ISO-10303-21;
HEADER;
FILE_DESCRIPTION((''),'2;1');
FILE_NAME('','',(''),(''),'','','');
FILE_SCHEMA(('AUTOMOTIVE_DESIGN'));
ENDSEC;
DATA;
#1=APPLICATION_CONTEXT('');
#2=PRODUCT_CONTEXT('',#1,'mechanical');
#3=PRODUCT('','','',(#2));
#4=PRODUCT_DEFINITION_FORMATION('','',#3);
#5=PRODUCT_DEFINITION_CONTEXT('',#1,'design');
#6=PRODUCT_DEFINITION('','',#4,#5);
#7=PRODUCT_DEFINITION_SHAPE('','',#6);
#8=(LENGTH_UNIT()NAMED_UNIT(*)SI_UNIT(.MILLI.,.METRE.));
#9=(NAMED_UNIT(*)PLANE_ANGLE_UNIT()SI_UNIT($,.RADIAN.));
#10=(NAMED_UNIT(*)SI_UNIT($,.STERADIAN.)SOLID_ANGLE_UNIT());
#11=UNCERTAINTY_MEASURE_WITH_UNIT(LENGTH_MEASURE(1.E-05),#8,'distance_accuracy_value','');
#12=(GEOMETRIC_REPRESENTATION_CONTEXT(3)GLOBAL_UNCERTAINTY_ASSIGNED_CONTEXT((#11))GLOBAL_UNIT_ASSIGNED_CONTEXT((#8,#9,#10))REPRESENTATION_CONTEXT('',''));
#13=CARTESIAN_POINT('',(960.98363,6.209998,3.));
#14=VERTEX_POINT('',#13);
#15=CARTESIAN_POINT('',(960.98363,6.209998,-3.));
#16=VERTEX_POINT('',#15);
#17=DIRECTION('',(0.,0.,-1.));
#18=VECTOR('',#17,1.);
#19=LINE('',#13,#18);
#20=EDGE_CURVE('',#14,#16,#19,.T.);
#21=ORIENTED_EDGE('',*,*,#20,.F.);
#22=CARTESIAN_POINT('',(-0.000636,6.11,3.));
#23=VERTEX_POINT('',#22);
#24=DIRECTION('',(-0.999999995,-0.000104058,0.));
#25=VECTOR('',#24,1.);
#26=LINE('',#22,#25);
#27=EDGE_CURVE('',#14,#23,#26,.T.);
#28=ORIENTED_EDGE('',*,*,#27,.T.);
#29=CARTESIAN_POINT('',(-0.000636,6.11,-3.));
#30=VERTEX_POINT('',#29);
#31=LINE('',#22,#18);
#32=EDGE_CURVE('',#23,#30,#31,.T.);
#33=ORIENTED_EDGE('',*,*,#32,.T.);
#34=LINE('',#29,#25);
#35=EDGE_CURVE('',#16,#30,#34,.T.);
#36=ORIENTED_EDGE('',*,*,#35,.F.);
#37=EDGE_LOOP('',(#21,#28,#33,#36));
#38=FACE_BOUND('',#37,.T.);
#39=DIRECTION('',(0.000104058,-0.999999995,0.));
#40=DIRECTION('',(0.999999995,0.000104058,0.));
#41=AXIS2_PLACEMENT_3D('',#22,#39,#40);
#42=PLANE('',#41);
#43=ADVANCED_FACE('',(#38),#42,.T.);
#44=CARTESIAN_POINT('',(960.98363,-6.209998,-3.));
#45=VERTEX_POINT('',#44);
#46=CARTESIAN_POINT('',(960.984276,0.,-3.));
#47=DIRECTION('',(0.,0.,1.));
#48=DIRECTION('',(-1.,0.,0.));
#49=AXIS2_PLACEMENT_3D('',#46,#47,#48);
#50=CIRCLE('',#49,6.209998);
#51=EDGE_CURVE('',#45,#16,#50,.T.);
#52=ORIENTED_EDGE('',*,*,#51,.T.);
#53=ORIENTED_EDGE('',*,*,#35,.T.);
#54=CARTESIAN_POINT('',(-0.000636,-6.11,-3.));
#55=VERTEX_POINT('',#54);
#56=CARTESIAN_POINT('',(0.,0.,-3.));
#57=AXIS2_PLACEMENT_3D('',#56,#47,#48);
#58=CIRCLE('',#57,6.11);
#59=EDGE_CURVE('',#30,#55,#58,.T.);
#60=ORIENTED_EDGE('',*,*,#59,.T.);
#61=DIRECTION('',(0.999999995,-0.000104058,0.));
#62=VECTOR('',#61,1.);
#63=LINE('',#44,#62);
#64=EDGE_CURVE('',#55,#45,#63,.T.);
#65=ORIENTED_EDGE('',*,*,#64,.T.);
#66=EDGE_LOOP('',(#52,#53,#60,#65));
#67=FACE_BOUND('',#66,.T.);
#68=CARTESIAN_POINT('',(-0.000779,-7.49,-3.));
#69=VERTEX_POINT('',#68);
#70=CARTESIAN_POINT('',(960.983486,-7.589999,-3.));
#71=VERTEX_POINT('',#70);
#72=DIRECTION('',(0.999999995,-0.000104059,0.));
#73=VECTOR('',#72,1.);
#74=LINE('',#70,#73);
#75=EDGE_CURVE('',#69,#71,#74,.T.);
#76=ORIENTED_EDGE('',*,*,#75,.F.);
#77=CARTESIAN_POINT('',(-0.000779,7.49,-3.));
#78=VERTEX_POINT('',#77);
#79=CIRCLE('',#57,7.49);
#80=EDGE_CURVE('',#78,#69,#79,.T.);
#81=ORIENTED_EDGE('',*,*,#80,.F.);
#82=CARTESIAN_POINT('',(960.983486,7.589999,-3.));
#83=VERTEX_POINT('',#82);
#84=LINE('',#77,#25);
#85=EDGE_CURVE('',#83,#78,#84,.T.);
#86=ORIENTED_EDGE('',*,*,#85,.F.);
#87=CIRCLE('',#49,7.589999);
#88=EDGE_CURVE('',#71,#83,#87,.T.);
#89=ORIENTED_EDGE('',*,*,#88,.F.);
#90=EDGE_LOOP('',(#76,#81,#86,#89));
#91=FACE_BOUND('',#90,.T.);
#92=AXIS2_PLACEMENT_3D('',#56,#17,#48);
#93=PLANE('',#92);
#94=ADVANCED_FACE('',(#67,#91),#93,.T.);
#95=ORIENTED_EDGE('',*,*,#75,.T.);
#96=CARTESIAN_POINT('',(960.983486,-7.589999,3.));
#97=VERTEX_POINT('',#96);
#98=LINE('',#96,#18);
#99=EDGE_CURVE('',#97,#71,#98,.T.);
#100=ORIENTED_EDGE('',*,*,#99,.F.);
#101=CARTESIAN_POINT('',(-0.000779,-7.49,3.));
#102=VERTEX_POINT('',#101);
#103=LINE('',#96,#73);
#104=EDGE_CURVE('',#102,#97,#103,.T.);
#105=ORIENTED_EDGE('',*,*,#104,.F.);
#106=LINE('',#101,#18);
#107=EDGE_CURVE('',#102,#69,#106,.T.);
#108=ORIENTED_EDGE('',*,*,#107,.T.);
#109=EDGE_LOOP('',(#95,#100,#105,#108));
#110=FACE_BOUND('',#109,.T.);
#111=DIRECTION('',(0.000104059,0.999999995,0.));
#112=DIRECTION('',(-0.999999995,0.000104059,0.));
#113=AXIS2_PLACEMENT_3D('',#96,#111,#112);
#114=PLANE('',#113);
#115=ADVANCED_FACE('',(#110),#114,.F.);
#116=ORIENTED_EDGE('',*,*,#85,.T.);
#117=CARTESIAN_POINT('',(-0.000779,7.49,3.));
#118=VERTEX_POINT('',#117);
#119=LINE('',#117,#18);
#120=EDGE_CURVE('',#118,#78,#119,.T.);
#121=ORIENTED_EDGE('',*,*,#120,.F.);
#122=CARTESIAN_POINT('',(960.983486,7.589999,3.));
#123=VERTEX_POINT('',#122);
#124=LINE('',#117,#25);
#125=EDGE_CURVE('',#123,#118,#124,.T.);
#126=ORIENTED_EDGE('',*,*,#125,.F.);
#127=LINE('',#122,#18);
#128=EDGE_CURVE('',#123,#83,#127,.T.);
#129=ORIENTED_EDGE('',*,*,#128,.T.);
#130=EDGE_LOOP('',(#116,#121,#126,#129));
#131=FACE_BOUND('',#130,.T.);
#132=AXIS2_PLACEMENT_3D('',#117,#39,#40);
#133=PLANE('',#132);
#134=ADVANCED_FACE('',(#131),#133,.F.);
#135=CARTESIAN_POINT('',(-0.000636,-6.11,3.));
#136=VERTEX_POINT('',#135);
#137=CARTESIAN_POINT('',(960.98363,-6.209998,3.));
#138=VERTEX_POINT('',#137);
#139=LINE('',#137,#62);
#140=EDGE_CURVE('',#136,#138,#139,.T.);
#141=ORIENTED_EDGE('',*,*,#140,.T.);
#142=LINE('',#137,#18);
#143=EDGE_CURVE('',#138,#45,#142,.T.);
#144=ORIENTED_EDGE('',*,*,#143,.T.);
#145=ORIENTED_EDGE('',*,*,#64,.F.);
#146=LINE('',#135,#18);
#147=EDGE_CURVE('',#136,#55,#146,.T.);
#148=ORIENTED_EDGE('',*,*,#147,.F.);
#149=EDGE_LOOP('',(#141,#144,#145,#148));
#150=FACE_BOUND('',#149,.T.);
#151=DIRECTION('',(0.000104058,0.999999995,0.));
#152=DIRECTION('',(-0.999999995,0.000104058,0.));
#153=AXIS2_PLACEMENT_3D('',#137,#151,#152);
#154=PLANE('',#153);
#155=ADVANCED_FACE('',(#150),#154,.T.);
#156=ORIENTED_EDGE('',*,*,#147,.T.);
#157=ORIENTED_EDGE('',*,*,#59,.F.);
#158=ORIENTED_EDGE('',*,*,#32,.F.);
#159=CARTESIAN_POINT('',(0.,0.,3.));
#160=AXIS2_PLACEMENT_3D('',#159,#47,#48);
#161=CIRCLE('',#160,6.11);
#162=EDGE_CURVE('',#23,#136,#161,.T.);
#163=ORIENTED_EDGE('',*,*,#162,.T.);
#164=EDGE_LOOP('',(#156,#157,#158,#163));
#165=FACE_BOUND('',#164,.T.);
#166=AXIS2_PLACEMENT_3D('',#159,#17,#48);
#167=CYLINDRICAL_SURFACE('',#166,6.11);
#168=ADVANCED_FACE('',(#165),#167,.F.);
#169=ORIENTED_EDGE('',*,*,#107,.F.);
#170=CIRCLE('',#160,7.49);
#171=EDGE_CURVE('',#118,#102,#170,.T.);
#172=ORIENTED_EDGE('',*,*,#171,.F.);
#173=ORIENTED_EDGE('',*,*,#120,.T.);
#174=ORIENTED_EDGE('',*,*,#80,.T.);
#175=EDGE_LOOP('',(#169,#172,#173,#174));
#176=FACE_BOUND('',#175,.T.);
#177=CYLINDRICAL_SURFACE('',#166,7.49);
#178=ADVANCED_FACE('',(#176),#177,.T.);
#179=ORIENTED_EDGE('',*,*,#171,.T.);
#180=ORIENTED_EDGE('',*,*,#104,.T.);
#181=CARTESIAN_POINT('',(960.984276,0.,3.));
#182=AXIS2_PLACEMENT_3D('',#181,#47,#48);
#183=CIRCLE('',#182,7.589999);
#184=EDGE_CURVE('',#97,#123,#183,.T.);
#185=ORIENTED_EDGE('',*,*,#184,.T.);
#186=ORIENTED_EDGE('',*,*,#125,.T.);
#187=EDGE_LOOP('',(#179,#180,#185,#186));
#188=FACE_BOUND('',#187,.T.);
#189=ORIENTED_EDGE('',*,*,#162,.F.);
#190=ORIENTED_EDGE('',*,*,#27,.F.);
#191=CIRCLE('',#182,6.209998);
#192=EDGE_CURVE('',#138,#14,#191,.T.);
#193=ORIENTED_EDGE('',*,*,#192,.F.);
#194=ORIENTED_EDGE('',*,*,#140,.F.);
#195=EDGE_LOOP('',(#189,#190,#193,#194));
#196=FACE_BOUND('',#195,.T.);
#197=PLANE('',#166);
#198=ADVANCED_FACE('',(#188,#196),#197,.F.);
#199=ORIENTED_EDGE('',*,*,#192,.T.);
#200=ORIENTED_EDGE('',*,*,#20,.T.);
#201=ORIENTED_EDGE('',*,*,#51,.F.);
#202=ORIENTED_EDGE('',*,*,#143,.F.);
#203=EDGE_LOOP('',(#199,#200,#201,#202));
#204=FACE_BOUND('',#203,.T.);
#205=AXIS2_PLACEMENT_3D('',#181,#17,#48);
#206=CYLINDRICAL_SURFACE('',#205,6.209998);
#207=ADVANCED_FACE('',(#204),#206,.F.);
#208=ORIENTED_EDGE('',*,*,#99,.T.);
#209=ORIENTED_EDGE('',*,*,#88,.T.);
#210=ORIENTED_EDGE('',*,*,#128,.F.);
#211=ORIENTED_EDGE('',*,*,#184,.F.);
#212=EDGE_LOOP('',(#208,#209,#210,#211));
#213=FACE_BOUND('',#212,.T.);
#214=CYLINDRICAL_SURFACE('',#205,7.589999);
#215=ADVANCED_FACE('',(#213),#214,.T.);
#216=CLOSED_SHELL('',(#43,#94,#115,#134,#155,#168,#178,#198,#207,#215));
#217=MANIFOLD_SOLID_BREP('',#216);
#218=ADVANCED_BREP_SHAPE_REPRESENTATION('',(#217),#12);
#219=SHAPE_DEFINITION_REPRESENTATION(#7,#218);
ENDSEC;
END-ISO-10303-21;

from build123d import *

# Parameters (mm, degrees)
BOSS_EXTRUDE1_DEPTH = 3


with BuildPart() as part:
    # Sketch2 → Boss-Extrude1 (new, symmetric)
    with BuildSketch(Plane.XY):
        with BuildLine():
            Line((-0.000779396, 7.489999959), (960.983485954, 7.589998324))
            ThreePointArc((960.983485954, 7.589998324), (968.57427412, 2e-09), (960.983485954, -7.589999143))
            Line((960.983485954, -7.589999143), (-0.000779396, -7.489999959))
            ThreePointArc((-0.000779396, -7.489999959), (-7.49, 0), (-0.000779396, 7.489999959))
        make_face()
        with BuildLine():
            Line((960.983629554, -6.209998329), (-0.000635796, -6.109999967))
            ThreePointArc((-0.000635796, -6.109999967), (-6.11, 0), (-0.000635796, 6.109999967))
            Line((-0.000635796, 6.109999967), (960.983629554, 6.209998332))
            ThreePointArc((960.983629554, 6.209998332), (967.19427412, 2e-09), (960.983629554, -6.209998329))
        make_face(mode=Mode.SUBTRACT)
    extrude(amount=BOSS_EXTRUDE1_DEPTH, both=True)


solid = part.part
